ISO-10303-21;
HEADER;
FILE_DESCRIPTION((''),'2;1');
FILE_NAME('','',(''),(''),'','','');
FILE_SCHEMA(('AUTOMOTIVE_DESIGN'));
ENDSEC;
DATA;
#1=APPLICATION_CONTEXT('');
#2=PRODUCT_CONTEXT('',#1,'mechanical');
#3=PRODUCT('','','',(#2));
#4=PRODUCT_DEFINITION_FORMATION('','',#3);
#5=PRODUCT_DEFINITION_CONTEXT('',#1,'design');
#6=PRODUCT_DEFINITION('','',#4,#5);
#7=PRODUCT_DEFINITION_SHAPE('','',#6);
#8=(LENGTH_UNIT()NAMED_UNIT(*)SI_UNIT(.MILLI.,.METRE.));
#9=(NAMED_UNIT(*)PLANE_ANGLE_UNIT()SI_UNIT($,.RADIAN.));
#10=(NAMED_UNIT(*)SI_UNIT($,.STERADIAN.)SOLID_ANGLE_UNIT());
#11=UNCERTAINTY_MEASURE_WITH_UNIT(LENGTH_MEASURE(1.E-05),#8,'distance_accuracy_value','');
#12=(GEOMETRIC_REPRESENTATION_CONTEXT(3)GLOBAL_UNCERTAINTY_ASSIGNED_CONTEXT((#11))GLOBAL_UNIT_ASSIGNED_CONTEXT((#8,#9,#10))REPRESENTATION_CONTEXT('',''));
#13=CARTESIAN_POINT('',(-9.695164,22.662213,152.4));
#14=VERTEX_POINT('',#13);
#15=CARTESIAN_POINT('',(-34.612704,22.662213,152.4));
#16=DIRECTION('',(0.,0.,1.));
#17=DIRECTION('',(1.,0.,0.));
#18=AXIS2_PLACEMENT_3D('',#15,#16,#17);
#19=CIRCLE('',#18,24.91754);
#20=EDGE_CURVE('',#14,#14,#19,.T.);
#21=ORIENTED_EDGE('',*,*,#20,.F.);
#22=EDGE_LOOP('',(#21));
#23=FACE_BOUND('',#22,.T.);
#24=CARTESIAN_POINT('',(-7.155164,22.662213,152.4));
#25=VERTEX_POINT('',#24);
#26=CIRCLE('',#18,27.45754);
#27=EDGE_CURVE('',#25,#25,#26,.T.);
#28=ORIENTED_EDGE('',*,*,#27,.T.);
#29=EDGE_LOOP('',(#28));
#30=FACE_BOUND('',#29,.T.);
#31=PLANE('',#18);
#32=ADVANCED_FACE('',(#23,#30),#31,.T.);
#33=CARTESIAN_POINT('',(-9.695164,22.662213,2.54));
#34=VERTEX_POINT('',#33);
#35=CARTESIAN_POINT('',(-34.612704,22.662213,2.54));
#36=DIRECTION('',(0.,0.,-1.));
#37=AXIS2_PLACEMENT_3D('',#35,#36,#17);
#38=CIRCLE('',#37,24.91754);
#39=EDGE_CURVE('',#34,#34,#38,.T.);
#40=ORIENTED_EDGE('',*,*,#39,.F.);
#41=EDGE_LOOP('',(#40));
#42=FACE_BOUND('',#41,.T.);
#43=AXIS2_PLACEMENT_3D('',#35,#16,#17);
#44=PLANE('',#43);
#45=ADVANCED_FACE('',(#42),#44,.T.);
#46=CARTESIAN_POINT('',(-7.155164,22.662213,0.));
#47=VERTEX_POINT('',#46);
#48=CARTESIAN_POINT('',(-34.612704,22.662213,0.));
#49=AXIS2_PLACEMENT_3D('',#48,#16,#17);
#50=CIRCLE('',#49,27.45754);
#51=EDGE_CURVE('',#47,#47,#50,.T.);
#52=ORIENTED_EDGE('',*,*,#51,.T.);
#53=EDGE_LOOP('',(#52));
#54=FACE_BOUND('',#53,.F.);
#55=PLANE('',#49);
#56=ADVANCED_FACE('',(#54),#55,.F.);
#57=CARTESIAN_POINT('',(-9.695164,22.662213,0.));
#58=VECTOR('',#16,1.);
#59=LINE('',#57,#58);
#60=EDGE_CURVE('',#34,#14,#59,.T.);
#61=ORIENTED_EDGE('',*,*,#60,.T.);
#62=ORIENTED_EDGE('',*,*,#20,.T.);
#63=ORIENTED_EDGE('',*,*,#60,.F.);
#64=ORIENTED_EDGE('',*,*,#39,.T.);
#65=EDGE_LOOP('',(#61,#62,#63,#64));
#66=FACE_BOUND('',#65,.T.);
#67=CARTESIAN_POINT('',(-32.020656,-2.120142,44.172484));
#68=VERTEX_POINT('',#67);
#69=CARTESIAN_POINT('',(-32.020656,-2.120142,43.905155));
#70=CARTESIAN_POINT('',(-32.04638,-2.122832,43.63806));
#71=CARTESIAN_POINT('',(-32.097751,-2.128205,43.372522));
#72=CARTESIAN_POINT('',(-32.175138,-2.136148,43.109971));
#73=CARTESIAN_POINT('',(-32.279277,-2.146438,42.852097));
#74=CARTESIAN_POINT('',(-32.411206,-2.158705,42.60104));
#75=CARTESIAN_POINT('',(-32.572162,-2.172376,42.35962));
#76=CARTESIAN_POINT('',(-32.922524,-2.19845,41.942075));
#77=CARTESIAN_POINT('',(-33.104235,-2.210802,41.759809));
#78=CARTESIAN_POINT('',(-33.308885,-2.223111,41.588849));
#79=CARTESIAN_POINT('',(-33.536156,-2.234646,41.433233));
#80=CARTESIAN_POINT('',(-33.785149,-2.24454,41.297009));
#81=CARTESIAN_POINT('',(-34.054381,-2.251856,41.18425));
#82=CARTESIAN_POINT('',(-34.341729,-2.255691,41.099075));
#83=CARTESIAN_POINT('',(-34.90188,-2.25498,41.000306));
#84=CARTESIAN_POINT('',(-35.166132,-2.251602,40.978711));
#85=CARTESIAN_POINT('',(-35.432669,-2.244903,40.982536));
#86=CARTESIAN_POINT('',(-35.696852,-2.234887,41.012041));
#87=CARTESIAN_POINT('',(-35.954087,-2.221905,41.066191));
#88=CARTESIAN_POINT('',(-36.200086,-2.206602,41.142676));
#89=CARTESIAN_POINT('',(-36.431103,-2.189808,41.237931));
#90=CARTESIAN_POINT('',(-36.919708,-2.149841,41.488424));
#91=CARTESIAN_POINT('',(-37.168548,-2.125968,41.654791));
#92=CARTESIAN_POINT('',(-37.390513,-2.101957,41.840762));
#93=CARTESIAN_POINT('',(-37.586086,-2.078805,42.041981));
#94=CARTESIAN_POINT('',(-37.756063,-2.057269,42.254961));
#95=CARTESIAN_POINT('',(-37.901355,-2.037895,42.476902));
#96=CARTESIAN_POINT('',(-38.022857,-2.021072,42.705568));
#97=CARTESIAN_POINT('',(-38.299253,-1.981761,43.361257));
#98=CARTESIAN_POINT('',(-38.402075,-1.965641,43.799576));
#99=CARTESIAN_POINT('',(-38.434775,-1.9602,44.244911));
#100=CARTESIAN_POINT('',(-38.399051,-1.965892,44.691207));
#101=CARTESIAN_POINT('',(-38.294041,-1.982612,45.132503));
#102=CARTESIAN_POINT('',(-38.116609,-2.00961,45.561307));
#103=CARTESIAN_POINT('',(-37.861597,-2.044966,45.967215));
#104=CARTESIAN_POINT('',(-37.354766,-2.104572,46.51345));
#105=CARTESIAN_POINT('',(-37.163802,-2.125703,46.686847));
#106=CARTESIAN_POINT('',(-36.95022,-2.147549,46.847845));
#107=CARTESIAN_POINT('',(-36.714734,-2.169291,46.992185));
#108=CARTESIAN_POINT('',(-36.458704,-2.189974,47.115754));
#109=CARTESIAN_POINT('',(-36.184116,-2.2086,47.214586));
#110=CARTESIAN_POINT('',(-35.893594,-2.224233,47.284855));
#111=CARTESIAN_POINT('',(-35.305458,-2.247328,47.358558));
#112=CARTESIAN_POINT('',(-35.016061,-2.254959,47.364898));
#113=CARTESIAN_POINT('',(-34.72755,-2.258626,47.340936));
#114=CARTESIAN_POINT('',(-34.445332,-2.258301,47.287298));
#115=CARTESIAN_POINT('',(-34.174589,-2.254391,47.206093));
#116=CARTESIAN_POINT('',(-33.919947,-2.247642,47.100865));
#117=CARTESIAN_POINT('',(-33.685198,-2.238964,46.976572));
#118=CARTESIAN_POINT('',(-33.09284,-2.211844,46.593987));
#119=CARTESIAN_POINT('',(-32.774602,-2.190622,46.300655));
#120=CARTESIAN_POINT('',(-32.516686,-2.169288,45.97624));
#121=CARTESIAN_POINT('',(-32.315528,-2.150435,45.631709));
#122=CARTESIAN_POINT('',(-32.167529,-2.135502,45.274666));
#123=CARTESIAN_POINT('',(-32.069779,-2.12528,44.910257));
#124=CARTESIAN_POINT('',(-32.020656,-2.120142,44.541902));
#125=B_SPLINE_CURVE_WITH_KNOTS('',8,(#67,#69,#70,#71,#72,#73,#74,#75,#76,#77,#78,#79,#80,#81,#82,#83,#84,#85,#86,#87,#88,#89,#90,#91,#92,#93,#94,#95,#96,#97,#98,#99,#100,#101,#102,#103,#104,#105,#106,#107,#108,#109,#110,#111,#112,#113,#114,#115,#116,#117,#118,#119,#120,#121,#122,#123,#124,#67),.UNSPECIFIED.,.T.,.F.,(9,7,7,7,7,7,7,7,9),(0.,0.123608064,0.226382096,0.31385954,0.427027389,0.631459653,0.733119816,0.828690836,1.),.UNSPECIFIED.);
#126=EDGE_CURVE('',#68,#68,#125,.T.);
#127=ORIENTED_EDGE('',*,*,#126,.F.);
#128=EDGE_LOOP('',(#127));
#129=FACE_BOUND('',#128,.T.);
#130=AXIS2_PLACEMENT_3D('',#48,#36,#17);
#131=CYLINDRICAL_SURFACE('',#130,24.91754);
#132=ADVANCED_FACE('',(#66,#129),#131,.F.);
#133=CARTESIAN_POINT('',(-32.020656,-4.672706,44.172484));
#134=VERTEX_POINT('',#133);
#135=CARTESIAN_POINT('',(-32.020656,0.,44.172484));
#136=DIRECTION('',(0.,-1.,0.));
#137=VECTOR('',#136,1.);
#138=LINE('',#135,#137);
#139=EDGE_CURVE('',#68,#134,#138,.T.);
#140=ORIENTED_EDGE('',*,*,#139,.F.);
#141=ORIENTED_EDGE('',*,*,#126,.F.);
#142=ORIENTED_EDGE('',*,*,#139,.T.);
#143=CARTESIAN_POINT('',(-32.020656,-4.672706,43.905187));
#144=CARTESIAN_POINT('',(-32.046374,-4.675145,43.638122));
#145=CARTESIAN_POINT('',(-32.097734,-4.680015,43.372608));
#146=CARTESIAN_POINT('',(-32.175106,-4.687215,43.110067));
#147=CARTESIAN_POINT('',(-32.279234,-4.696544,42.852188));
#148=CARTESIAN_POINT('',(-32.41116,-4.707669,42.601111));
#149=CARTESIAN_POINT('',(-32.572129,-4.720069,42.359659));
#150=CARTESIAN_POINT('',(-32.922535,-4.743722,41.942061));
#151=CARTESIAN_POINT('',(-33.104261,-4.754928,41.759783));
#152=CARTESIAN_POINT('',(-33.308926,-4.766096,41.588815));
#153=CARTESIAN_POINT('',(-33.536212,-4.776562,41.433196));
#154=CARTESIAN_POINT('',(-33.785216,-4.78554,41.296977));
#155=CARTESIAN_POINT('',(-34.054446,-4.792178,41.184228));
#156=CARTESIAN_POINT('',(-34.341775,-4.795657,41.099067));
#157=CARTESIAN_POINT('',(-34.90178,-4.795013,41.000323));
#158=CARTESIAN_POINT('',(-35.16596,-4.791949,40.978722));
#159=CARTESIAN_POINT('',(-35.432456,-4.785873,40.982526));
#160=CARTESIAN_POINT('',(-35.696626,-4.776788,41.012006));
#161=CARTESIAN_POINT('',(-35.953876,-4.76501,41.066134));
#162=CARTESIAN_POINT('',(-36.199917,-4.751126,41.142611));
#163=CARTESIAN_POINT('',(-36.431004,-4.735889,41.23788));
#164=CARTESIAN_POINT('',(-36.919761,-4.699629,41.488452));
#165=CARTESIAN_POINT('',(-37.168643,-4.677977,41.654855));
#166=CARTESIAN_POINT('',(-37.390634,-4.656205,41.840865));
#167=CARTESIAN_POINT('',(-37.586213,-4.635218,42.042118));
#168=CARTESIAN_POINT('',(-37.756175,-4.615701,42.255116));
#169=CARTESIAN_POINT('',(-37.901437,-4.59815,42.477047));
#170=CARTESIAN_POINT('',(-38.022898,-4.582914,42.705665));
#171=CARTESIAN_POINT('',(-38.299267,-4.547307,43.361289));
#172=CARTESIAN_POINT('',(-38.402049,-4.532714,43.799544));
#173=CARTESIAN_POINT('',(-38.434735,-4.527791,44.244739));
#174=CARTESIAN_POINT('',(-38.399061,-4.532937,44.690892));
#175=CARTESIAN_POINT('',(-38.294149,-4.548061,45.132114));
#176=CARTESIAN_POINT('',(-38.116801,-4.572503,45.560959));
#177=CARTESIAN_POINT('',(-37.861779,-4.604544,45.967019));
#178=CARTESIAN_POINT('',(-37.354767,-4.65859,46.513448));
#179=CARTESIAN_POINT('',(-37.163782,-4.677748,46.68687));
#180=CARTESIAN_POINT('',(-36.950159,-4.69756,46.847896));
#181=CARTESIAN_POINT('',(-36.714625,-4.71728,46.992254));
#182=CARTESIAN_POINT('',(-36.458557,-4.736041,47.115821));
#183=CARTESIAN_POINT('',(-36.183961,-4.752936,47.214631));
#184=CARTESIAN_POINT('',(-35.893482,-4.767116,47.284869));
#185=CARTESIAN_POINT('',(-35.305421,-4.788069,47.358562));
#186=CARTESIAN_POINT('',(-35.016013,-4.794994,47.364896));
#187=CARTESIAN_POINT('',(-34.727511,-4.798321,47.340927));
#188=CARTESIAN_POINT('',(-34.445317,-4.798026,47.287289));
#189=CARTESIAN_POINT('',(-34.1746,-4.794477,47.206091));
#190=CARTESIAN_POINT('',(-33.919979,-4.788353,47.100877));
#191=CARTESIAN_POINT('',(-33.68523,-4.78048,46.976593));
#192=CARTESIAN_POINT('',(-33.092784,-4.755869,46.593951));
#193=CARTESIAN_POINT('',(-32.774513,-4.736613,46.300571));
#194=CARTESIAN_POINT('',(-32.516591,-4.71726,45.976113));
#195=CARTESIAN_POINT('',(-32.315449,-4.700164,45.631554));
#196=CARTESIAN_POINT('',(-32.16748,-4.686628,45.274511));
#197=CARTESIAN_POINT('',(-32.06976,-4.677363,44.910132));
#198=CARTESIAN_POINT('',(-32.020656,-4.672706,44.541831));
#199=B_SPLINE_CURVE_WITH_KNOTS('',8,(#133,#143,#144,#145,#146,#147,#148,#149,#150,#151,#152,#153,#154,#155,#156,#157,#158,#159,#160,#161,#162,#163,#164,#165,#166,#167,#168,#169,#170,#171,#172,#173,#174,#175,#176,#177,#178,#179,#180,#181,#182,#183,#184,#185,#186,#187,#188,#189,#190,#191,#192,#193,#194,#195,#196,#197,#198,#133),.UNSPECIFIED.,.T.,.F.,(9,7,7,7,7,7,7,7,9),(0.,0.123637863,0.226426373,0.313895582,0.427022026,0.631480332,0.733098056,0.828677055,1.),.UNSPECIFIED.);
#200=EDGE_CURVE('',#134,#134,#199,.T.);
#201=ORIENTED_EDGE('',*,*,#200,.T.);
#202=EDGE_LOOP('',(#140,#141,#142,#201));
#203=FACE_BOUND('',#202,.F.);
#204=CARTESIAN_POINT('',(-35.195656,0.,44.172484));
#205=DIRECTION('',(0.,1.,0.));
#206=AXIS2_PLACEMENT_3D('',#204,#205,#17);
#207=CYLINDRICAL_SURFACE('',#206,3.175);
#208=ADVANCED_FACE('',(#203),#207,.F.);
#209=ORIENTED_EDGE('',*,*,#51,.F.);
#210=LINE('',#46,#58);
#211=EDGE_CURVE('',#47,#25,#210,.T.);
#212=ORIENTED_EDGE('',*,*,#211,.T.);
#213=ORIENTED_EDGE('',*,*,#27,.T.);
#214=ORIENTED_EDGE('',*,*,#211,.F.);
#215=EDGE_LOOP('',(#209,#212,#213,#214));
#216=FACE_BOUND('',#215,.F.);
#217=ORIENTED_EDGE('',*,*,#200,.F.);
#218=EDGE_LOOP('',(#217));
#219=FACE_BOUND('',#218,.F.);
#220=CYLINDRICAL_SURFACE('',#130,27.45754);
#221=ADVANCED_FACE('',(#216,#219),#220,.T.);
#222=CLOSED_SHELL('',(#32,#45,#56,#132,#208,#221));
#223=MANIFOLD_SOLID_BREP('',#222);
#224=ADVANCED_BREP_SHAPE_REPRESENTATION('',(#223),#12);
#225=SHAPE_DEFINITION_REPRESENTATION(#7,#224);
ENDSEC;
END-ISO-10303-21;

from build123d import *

# Parameters (mm, degrees)
F0_R     = 27.4575403643
F1_DEPTH = 152.4
F2_T     = -2.54
F4_D     = 6.35
F4_DEPTH = 12.7
F4_TIP   = 1.9077324654


with BuildPart() as f1:
    # F0 (on Top) → F1 (new body)
    with BuildSketch(Plane.XY):
        with Locations((-34.6127040684, 22.6622130722)):
            Circle(F0_R)
    extrude(amount=F1_DEPTH)

    # F2
    f2_openings = [f1.faces().sort_by_distance(p)[0] for p in [
        (-34.612704, 22.662213, 152.4),
    ]]
    offset(amount=F2_T, openings=f2_openings)

    # F4 (one way)
    with BuildSketch(Plane(origin=(0, 0, 0), x_dir=(1, 0, 0), z_dir=(0, 1, 0))):
        with Locations((-35.1956561208, -44.1724844277)):
            Circle(F4_D / 2)
    extrude(amount=-F4_DEPTH, mode=Mode.SUBTRACT)
    with Locations(Plane(origin=(0, 0, 0), x_dir=(1, 0, 0), z_dir=(0, 1, 0))):
        with Locations((-35.1956561208, -44.1724844277)):
            with Locations((0, 0, -(F4_DEPTH + F4_TIP / 2))):  # 118° drill point
                Cone(0, F4_D / 2, F4_TIP, mode=Mode.SUBTRACT)


solid = f1.part
